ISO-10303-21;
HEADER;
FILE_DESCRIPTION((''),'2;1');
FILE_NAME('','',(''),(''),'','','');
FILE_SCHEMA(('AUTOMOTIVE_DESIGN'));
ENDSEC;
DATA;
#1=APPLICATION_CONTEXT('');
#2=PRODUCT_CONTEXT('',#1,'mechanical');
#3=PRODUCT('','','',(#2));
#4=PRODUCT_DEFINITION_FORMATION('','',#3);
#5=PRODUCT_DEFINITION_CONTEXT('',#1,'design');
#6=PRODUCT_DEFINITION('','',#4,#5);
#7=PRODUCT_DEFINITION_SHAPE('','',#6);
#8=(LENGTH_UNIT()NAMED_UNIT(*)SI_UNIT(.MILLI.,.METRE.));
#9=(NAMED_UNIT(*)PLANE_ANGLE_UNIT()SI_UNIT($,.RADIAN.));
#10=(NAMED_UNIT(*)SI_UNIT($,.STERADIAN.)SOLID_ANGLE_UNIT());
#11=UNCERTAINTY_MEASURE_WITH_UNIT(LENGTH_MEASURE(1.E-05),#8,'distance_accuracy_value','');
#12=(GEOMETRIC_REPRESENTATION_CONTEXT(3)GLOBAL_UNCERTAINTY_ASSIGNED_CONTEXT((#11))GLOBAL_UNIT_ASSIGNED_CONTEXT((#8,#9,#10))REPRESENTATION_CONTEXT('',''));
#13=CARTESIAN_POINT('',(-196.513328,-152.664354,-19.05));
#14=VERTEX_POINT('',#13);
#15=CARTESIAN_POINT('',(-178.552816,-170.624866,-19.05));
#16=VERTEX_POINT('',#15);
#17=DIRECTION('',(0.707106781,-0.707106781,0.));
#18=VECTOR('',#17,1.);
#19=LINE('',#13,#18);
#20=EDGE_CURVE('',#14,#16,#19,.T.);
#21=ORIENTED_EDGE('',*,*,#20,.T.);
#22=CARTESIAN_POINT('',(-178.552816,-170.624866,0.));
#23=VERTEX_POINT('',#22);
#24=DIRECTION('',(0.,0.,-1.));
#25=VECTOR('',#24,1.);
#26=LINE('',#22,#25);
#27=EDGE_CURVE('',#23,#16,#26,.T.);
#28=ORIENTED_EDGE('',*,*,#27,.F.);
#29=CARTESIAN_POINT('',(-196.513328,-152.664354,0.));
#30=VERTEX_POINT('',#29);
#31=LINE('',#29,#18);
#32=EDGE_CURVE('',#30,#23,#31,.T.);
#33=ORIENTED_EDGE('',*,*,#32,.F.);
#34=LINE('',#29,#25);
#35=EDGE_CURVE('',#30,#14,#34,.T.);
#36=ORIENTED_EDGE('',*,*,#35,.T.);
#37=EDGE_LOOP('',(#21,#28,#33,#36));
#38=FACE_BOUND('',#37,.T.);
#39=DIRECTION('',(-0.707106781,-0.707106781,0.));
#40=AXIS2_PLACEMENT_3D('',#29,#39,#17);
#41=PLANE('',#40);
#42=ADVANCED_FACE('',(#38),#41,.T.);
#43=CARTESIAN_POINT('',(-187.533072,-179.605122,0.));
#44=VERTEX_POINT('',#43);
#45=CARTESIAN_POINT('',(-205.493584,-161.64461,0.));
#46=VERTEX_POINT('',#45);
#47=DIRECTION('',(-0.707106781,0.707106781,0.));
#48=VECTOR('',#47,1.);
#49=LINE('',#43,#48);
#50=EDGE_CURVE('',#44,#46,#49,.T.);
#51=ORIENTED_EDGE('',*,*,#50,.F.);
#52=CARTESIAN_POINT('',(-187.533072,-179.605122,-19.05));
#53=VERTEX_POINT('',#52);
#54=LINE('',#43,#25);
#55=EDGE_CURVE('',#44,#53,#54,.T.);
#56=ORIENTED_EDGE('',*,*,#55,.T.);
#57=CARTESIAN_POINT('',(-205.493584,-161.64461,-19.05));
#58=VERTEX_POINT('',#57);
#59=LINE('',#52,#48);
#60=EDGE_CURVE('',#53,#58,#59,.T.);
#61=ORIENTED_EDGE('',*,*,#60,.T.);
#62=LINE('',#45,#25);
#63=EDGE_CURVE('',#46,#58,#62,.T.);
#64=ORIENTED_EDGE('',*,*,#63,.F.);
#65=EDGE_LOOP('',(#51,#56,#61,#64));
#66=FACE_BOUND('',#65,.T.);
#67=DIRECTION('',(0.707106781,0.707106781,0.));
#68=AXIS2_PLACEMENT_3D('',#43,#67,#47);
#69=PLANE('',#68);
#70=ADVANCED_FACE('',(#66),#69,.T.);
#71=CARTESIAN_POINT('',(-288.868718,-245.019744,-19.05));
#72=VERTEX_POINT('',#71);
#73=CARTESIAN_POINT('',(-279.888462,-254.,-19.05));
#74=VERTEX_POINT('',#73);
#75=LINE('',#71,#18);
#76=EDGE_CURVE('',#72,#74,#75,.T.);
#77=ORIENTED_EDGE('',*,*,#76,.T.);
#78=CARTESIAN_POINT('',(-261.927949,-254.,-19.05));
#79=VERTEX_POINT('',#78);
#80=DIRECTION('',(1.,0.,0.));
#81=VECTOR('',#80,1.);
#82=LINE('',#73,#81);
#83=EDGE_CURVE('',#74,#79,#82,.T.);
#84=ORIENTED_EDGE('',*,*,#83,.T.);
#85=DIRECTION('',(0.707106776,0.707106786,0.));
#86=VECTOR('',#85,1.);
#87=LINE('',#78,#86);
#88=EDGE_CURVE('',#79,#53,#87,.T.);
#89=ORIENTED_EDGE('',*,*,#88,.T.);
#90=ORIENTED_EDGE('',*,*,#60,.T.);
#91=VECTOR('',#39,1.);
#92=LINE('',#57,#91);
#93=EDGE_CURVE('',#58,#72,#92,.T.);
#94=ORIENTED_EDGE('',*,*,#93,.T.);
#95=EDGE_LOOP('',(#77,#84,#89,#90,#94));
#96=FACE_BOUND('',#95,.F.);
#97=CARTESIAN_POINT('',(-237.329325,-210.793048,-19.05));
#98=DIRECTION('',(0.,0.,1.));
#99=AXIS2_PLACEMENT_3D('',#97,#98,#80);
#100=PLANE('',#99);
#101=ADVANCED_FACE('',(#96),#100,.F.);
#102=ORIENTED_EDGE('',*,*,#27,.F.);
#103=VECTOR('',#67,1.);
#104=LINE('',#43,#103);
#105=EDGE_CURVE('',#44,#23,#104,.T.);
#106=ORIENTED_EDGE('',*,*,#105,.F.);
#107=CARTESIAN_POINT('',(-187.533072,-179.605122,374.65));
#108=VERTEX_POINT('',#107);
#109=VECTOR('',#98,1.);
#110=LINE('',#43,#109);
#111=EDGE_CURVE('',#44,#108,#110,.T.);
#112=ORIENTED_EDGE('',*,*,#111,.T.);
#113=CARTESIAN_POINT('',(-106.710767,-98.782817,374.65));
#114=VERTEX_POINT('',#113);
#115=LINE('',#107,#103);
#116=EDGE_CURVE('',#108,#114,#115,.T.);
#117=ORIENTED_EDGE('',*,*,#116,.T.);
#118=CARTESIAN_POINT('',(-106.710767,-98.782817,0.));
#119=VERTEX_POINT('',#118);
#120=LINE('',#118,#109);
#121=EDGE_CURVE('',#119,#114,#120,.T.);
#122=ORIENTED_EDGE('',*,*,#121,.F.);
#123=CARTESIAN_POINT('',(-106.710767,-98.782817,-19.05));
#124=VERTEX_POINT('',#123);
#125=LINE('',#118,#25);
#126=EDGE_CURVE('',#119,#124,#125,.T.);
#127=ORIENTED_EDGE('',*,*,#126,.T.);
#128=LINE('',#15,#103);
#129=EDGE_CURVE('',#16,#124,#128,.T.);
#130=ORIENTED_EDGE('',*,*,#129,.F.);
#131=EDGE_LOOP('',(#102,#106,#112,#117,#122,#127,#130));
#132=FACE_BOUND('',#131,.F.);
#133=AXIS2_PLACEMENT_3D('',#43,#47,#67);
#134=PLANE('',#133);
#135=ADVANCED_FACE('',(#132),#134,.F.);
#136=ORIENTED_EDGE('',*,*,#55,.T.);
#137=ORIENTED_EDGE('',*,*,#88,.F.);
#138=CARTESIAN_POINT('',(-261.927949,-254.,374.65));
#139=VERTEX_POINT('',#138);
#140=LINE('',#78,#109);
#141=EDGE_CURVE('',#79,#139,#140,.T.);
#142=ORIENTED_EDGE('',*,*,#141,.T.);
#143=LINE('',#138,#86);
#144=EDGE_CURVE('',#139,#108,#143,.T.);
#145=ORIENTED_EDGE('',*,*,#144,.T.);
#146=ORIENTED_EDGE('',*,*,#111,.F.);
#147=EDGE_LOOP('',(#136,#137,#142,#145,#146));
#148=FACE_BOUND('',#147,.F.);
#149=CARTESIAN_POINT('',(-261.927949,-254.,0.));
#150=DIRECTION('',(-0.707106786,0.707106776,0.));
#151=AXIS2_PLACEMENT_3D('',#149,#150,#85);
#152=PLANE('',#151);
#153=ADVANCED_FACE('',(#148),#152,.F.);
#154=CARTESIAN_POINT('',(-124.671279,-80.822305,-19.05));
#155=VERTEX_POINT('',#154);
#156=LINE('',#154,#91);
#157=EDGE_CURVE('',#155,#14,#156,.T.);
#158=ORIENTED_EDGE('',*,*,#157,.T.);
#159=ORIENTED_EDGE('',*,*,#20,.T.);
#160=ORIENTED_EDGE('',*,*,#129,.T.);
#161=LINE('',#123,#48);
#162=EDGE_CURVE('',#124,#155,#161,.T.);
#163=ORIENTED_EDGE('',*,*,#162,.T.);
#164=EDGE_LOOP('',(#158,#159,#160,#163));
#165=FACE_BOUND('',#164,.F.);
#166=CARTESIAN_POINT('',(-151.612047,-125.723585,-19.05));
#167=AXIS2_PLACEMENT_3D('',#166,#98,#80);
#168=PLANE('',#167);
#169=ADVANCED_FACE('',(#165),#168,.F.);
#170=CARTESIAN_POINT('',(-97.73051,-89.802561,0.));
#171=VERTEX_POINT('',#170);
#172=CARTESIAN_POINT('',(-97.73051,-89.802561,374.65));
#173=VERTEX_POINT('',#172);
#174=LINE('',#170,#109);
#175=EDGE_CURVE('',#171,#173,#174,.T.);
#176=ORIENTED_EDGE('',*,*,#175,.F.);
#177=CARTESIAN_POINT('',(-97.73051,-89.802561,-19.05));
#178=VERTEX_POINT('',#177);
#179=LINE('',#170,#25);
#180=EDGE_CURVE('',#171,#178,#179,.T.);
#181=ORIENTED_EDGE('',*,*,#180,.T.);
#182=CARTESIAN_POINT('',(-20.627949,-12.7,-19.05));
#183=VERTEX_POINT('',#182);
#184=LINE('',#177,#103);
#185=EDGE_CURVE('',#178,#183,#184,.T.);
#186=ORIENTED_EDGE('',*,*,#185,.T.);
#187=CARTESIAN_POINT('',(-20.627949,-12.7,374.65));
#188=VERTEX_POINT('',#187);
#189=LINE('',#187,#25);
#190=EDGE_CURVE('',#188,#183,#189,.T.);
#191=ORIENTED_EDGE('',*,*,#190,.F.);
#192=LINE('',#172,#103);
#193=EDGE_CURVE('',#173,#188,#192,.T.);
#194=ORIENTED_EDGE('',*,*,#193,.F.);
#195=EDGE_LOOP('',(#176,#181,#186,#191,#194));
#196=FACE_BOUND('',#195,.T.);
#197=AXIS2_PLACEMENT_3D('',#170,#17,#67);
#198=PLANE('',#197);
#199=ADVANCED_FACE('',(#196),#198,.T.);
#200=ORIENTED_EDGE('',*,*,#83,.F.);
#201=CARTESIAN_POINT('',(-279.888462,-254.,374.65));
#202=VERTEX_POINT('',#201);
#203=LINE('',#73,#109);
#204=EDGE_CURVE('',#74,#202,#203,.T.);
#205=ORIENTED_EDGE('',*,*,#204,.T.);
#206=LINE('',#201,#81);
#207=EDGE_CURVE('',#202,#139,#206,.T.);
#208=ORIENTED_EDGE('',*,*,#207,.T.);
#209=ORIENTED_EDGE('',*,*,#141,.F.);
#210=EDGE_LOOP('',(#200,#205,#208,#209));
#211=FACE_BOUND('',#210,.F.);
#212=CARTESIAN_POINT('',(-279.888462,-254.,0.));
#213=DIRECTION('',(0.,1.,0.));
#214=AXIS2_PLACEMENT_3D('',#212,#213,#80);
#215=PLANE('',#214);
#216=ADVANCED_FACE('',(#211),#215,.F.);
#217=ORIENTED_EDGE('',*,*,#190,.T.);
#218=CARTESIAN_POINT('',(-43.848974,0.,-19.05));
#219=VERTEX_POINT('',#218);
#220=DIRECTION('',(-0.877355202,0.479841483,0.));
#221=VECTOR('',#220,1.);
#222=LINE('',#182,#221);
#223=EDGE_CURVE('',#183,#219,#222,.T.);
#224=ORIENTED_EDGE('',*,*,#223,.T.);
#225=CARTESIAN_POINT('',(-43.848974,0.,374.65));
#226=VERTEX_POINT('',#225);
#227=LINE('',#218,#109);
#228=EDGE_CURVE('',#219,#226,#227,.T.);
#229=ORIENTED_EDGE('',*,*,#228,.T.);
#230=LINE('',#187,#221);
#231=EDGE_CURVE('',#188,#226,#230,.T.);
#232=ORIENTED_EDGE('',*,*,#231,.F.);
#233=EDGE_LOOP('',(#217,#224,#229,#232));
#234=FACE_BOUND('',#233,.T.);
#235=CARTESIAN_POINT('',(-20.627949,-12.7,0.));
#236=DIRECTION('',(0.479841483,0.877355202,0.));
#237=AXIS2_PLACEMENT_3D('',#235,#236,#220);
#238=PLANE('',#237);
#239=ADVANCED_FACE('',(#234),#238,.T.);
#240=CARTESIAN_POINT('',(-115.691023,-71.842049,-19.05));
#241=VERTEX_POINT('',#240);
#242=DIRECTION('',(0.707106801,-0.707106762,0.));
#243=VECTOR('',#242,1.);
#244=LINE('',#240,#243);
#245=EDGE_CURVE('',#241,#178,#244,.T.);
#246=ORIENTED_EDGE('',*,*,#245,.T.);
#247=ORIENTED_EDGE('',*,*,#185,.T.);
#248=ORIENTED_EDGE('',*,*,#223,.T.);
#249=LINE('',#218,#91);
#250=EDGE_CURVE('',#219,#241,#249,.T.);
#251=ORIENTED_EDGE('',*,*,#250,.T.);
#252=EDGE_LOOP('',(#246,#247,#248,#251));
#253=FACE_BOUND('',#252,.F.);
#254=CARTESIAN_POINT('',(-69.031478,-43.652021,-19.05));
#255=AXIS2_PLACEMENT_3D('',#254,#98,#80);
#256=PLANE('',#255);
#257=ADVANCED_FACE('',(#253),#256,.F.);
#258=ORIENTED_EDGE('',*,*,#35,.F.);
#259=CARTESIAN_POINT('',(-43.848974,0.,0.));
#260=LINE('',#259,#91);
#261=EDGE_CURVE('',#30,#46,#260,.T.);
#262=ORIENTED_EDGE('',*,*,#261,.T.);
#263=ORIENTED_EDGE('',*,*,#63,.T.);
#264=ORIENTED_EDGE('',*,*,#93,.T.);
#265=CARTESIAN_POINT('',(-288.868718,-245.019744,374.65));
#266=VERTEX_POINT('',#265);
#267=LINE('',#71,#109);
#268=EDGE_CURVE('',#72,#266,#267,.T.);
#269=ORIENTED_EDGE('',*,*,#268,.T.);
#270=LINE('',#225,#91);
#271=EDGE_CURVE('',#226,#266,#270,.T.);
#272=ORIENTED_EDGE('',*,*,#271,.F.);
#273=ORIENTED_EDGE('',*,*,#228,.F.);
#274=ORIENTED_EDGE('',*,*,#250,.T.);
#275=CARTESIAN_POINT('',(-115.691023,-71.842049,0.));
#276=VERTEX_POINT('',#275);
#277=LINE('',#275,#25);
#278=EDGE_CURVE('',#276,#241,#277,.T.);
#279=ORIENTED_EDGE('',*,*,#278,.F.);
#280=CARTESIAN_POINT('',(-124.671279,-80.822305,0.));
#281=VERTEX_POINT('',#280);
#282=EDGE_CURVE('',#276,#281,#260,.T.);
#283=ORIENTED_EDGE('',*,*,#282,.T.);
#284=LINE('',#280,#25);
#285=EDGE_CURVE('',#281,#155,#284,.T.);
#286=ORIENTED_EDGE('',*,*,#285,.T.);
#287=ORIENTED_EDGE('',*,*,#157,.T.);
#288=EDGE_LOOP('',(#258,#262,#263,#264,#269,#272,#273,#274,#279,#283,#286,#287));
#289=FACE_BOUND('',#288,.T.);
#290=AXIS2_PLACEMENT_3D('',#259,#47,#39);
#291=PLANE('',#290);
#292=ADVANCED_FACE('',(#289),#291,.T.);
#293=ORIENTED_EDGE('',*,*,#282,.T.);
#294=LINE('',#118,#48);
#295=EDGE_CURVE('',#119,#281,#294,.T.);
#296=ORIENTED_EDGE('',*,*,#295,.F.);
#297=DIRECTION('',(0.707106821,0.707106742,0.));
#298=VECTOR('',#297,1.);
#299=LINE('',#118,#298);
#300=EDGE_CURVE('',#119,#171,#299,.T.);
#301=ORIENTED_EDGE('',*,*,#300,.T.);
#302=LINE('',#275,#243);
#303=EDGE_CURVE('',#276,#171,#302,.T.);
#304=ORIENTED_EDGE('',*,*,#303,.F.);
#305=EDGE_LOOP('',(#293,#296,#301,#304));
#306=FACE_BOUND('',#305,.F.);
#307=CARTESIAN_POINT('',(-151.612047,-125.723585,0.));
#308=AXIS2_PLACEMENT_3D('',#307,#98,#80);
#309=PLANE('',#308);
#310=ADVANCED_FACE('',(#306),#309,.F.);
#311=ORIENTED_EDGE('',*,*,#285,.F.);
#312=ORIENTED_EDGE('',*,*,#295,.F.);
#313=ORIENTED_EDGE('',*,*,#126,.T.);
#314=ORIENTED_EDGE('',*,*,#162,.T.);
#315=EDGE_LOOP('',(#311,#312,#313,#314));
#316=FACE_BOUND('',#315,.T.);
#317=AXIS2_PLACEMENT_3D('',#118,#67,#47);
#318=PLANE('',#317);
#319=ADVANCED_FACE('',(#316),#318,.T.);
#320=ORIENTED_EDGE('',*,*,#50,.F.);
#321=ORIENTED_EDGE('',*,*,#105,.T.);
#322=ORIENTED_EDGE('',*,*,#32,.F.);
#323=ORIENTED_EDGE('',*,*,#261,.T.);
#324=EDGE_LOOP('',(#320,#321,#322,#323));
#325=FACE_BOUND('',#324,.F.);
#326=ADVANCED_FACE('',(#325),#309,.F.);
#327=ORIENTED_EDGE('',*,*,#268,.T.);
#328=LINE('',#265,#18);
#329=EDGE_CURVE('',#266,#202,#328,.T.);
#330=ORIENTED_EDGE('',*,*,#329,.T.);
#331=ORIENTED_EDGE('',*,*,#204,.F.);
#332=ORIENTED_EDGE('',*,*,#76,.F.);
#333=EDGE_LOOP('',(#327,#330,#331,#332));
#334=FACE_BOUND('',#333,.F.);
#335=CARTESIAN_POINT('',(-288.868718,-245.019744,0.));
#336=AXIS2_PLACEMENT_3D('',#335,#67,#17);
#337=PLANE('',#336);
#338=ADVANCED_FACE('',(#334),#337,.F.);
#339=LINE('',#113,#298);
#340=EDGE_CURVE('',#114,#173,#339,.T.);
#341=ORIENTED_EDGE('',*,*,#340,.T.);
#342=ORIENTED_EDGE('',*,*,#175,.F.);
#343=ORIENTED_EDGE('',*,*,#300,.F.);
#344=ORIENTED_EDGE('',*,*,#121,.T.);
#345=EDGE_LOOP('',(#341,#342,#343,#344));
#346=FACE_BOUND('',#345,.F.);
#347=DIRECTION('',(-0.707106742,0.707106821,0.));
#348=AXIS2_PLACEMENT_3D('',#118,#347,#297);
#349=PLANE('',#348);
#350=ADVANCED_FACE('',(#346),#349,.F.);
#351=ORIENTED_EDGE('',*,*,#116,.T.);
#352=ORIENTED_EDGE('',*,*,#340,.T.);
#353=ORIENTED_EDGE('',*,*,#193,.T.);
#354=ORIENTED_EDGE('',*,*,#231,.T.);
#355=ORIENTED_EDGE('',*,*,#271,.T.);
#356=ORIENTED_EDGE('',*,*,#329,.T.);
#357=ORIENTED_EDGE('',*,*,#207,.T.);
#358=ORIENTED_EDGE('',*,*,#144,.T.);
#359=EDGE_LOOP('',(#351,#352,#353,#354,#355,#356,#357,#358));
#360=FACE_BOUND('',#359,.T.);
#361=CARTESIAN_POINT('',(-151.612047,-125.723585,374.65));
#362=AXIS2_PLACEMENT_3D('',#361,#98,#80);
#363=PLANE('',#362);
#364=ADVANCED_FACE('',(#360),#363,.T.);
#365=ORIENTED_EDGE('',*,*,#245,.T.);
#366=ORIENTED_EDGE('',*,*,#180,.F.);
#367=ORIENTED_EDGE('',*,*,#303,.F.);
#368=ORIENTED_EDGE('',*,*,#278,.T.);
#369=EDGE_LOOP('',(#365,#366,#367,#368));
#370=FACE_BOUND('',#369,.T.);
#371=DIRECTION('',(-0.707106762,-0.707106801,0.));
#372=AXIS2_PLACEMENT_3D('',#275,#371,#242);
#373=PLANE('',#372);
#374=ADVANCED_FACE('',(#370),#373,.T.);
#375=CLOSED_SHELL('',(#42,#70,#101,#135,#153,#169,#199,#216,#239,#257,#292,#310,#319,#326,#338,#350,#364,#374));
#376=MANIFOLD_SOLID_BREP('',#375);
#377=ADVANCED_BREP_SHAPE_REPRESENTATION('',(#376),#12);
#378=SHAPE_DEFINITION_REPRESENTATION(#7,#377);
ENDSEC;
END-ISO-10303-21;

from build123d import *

# Parameters (mm, degrees)
F1_DEPTH = 374.65
F2_DEPTH = 19.05


with BuildPart() as f1:
    # F0 (on Top) → F1 (new body)
    with BuildSketch(Plane.XY):
        Polygon((-124.671279, -80.822305), (-196.513328, -152.664354), (-178.552816, -170.624866), (-106.710767, -98.782817), align=None)
        Polygon((-20.627949, -12.7), (-43.848974, 0), (-115.691023, -71.842049), (-97.73051, -89.802561), align=None)
        Polygon((-115.691023, -71.842049), (-124.671279, -80.822305), (-106.710767, -98.782817), (-97.73051, -89.802561), align=None)
        Polygon((-205.493584, -161.64461), (-288.868718, -245.019744), (-279.888462, -254), (-261.927949, -254), (-187.533072, -179.605122), align=None)
        Polygon((-196.513328, -152.664354), (-205.493584, -161.64461), (-187.533072, -179.605122), (-178.552816, -170.624866), align=None)
    extrude(amount=F1_DEPTH)

    # F0 (on Top) → F2 (join)
    with BuildSketch(Plane.XY):
        Polygon((-20.627949, -12.7), (-43.848974, 0), (-115.691023, -71.842049), (-97.73051, -89.802561), align=None)
        Polygon((-124.671279, -80.822305), (-196.513328, -152.664354), (-178.552816, -170.624866), (-106.710767, -98.782817), align=None)
        Polygon((-205.493584, -161.64461), (-288.868718, -245.019744), (-279.888462, -254), (-261.927949, -254), (-187.533072, -179.605122), align=None)
    extrude(amount=-F2_DEPTH)


solid = f1.part
